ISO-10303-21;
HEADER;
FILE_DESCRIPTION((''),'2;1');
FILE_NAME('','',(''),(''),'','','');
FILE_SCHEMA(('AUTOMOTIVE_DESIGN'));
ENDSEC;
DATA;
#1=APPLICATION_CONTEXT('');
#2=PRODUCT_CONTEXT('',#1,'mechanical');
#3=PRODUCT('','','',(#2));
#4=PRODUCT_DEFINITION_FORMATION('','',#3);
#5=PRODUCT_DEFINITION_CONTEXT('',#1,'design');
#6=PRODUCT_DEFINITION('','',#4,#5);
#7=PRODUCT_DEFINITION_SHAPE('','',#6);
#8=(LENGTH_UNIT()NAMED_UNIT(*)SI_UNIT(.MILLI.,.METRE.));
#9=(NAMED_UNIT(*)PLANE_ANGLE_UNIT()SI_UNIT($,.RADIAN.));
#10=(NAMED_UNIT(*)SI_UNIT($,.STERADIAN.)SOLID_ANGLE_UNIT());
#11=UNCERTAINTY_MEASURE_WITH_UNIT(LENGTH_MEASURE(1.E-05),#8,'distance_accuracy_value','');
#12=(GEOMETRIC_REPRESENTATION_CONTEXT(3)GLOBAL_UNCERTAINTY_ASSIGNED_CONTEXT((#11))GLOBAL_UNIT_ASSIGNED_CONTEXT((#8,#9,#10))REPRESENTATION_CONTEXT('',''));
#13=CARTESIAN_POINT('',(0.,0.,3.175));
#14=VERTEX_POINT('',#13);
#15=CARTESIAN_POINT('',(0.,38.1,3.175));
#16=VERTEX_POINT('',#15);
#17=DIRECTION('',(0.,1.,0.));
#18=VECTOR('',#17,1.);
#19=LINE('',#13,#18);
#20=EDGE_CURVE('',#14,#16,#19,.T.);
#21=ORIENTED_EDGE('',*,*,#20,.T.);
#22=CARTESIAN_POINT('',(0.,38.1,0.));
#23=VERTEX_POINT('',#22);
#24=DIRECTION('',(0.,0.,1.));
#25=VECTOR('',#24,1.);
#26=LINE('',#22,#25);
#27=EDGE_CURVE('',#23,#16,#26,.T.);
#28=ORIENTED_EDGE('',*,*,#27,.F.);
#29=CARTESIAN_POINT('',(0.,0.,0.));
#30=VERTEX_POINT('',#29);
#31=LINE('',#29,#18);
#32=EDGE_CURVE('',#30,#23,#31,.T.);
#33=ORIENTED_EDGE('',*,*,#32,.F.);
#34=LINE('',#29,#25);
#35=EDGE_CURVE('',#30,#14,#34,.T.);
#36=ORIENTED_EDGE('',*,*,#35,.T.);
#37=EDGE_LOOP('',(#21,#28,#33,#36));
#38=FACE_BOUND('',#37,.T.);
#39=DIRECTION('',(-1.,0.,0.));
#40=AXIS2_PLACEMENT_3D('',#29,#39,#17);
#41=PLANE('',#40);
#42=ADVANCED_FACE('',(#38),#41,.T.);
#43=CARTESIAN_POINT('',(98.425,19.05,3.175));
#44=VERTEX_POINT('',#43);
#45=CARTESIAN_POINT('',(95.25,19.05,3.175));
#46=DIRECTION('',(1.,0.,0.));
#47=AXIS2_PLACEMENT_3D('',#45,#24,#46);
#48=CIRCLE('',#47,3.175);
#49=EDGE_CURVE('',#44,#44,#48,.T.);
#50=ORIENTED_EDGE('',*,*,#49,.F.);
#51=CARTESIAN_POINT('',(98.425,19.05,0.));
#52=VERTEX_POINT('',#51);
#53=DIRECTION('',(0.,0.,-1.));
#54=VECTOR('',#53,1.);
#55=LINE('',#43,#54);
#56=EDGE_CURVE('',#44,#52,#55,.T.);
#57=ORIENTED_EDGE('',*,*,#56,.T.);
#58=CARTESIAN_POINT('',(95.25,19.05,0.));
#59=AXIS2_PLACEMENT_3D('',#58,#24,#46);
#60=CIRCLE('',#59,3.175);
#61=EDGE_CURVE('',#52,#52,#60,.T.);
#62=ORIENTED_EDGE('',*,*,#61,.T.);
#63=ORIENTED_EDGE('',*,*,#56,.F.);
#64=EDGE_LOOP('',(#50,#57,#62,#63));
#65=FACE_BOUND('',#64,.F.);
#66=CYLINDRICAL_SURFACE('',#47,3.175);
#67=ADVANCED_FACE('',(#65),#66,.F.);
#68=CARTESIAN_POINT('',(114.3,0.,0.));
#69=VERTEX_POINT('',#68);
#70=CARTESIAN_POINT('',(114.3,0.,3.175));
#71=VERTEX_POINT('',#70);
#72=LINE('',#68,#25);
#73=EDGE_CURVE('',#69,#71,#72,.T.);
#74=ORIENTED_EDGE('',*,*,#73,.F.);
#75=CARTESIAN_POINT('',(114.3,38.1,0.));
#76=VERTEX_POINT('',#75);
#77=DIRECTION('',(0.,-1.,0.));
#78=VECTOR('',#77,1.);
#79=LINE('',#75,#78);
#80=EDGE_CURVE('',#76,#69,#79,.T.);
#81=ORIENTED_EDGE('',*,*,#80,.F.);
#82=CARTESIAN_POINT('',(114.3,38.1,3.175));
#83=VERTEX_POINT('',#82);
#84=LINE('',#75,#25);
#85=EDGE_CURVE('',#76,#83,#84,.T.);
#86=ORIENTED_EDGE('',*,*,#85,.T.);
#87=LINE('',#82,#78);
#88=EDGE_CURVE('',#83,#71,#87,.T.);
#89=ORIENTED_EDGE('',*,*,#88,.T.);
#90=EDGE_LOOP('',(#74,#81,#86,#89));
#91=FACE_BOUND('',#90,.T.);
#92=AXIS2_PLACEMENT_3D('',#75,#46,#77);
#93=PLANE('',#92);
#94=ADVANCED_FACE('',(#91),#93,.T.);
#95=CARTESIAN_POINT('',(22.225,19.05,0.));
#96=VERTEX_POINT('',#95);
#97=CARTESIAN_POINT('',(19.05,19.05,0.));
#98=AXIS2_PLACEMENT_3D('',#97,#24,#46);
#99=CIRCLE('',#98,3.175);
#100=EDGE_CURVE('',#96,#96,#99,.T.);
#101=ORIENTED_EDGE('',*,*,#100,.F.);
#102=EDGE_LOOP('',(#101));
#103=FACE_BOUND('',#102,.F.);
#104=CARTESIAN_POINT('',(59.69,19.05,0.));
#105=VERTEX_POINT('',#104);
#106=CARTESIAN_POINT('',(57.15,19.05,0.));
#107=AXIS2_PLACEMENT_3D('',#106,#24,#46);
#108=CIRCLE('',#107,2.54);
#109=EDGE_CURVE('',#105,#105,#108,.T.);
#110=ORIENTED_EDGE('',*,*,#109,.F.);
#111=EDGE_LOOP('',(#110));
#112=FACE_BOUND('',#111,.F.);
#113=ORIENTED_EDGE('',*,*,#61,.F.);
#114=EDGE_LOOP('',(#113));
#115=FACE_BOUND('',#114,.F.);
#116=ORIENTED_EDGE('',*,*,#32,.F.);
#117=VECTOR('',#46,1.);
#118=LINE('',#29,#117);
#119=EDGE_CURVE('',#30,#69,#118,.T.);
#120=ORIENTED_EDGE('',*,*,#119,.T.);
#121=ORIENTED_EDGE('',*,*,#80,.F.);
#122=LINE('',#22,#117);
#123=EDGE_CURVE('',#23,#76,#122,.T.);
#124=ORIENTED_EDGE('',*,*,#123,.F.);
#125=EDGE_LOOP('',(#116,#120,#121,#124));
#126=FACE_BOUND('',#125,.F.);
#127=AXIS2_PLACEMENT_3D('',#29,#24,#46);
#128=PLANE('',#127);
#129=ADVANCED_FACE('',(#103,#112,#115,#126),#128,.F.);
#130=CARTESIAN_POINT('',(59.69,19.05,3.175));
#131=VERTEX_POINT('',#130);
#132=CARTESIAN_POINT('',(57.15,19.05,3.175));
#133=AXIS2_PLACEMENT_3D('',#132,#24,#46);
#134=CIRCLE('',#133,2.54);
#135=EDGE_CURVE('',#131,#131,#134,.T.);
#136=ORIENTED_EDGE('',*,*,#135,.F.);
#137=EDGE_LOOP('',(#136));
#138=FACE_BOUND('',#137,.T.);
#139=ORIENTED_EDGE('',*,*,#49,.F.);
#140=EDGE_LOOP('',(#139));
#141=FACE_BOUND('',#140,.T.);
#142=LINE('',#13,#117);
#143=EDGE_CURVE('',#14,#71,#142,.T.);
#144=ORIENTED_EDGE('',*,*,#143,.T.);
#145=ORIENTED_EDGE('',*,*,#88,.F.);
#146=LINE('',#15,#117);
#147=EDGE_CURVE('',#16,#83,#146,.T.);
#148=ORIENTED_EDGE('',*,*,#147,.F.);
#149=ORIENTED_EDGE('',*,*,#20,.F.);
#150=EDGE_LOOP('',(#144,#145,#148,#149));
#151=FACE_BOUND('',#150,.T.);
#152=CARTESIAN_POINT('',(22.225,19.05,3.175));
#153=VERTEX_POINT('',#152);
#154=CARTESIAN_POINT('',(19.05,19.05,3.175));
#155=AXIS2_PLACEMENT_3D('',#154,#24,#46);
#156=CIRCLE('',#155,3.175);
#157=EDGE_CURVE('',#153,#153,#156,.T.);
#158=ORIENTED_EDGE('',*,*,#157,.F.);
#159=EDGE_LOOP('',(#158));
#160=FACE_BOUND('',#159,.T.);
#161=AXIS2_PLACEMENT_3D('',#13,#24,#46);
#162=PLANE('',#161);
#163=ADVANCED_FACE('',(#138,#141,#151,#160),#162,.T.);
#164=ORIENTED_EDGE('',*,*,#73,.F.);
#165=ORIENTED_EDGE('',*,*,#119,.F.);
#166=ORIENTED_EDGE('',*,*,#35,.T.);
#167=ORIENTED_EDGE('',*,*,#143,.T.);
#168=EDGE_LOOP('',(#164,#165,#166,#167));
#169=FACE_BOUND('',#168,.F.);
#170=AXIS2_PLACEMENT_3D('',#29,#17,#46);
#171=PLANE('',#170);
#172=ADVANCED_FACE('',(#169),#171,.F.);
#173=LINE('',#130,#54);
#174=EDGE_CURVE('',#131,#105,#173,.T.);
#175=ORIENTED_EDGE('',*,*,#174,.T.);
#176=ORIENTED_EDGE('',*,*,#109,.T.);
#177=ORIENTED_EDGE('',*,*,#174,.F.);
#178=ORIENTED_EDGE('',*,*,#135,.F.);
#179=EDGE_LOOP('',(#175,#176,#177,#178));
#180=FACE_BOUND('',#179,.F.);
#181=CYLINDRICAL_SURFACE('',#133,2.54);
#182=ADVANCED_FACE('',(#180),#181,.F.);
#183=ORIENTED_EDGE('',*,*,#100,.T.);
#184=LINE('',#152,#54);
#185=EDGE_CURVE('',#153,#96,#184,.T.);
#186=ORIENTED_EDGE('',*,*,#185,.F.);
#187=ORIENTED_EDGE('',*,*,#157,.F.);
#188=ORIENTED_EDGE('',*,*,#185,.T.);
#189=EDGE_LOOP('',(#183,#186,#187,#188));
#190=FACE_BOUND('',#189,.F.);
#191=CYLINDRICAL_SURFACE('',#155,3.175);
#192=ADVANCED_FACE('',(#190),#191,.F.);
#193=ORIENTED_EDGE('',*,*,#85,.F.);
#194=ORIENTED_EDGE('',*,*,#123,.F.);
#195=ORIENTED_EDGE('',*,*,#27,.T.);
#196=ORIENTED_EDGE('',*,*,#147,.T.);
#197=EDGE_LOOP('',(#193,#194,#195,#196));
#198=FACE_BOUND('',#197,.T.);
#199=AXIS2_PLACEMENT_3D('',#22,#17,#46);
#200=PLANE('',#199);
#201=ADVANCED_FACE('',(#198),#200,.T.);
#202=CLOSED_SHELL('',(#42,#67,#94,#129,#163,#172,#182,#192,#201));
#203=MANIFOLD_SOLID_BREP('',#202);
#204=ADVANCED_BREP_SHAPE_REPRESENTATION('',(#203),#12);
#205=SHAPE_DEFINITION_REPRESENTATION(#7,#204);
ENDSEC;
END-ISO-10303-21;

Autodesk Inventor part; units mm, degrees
ref_plane "YZ Plane" through (0, 0, 0) normal (1, 0, 0) x (0, 1, 0)
ref_plane "XZ Plane" through (0, 0, 0) normal (0, 1, 0) x (-1, 0, 0)
ref_plane "XY Plane" through (0, 0, 0) normal (0, 0, 1) x (1, 0, 0)
sketch "Sketch1" plane through (0, 0, 0) normal (0, 0, 1) x (1, 0, 0)
  line L0 (0, 0) -> (0, 38.1)
  line L1 (0, 38.1) -> (114.3, 38.1)
  line L2 (114.3, 38.1) -> (114.3, 0)
  line L3 (0, 0) -> (114.3, 0)
  dimension "d0" = 38.1
  dimension "d1" = 114.3
extrude "Extrusion1" add sketch "Sketch1" along normal blind 3.175
sketch "Sketch2" plane through (0, 0, 3.175) normal (0, 0, 1) x (1, 0, 0)
  line L0 (114.3, 0) -> (114.3, 38.1) projected
  line L1 (114.3, 38.1) -> (0, 38.1) projected
  circle A0 centre (57.15, 19.05) radius 2.54
  line L2 (0, 38.1) -> (0, 0) projected
  circle A1 centre (19.05, 19.05) radius 3.175
  circle A2 centre (95.25, 19.05) radius 3.175
  dimension "d4" = 5.08
  dimension "d5" = 19.05
  dimension "d6" = 57.15
  dimension "d9" = 6.35
  dimension "d10" = 6.35
  dimension "d11" = 19.05
  dimension "d12" = 19.05
extrude "Extrusion3" cut sketch "Sketch2" against normal blind 25.4
properties part number "PistonPlate_v1"
